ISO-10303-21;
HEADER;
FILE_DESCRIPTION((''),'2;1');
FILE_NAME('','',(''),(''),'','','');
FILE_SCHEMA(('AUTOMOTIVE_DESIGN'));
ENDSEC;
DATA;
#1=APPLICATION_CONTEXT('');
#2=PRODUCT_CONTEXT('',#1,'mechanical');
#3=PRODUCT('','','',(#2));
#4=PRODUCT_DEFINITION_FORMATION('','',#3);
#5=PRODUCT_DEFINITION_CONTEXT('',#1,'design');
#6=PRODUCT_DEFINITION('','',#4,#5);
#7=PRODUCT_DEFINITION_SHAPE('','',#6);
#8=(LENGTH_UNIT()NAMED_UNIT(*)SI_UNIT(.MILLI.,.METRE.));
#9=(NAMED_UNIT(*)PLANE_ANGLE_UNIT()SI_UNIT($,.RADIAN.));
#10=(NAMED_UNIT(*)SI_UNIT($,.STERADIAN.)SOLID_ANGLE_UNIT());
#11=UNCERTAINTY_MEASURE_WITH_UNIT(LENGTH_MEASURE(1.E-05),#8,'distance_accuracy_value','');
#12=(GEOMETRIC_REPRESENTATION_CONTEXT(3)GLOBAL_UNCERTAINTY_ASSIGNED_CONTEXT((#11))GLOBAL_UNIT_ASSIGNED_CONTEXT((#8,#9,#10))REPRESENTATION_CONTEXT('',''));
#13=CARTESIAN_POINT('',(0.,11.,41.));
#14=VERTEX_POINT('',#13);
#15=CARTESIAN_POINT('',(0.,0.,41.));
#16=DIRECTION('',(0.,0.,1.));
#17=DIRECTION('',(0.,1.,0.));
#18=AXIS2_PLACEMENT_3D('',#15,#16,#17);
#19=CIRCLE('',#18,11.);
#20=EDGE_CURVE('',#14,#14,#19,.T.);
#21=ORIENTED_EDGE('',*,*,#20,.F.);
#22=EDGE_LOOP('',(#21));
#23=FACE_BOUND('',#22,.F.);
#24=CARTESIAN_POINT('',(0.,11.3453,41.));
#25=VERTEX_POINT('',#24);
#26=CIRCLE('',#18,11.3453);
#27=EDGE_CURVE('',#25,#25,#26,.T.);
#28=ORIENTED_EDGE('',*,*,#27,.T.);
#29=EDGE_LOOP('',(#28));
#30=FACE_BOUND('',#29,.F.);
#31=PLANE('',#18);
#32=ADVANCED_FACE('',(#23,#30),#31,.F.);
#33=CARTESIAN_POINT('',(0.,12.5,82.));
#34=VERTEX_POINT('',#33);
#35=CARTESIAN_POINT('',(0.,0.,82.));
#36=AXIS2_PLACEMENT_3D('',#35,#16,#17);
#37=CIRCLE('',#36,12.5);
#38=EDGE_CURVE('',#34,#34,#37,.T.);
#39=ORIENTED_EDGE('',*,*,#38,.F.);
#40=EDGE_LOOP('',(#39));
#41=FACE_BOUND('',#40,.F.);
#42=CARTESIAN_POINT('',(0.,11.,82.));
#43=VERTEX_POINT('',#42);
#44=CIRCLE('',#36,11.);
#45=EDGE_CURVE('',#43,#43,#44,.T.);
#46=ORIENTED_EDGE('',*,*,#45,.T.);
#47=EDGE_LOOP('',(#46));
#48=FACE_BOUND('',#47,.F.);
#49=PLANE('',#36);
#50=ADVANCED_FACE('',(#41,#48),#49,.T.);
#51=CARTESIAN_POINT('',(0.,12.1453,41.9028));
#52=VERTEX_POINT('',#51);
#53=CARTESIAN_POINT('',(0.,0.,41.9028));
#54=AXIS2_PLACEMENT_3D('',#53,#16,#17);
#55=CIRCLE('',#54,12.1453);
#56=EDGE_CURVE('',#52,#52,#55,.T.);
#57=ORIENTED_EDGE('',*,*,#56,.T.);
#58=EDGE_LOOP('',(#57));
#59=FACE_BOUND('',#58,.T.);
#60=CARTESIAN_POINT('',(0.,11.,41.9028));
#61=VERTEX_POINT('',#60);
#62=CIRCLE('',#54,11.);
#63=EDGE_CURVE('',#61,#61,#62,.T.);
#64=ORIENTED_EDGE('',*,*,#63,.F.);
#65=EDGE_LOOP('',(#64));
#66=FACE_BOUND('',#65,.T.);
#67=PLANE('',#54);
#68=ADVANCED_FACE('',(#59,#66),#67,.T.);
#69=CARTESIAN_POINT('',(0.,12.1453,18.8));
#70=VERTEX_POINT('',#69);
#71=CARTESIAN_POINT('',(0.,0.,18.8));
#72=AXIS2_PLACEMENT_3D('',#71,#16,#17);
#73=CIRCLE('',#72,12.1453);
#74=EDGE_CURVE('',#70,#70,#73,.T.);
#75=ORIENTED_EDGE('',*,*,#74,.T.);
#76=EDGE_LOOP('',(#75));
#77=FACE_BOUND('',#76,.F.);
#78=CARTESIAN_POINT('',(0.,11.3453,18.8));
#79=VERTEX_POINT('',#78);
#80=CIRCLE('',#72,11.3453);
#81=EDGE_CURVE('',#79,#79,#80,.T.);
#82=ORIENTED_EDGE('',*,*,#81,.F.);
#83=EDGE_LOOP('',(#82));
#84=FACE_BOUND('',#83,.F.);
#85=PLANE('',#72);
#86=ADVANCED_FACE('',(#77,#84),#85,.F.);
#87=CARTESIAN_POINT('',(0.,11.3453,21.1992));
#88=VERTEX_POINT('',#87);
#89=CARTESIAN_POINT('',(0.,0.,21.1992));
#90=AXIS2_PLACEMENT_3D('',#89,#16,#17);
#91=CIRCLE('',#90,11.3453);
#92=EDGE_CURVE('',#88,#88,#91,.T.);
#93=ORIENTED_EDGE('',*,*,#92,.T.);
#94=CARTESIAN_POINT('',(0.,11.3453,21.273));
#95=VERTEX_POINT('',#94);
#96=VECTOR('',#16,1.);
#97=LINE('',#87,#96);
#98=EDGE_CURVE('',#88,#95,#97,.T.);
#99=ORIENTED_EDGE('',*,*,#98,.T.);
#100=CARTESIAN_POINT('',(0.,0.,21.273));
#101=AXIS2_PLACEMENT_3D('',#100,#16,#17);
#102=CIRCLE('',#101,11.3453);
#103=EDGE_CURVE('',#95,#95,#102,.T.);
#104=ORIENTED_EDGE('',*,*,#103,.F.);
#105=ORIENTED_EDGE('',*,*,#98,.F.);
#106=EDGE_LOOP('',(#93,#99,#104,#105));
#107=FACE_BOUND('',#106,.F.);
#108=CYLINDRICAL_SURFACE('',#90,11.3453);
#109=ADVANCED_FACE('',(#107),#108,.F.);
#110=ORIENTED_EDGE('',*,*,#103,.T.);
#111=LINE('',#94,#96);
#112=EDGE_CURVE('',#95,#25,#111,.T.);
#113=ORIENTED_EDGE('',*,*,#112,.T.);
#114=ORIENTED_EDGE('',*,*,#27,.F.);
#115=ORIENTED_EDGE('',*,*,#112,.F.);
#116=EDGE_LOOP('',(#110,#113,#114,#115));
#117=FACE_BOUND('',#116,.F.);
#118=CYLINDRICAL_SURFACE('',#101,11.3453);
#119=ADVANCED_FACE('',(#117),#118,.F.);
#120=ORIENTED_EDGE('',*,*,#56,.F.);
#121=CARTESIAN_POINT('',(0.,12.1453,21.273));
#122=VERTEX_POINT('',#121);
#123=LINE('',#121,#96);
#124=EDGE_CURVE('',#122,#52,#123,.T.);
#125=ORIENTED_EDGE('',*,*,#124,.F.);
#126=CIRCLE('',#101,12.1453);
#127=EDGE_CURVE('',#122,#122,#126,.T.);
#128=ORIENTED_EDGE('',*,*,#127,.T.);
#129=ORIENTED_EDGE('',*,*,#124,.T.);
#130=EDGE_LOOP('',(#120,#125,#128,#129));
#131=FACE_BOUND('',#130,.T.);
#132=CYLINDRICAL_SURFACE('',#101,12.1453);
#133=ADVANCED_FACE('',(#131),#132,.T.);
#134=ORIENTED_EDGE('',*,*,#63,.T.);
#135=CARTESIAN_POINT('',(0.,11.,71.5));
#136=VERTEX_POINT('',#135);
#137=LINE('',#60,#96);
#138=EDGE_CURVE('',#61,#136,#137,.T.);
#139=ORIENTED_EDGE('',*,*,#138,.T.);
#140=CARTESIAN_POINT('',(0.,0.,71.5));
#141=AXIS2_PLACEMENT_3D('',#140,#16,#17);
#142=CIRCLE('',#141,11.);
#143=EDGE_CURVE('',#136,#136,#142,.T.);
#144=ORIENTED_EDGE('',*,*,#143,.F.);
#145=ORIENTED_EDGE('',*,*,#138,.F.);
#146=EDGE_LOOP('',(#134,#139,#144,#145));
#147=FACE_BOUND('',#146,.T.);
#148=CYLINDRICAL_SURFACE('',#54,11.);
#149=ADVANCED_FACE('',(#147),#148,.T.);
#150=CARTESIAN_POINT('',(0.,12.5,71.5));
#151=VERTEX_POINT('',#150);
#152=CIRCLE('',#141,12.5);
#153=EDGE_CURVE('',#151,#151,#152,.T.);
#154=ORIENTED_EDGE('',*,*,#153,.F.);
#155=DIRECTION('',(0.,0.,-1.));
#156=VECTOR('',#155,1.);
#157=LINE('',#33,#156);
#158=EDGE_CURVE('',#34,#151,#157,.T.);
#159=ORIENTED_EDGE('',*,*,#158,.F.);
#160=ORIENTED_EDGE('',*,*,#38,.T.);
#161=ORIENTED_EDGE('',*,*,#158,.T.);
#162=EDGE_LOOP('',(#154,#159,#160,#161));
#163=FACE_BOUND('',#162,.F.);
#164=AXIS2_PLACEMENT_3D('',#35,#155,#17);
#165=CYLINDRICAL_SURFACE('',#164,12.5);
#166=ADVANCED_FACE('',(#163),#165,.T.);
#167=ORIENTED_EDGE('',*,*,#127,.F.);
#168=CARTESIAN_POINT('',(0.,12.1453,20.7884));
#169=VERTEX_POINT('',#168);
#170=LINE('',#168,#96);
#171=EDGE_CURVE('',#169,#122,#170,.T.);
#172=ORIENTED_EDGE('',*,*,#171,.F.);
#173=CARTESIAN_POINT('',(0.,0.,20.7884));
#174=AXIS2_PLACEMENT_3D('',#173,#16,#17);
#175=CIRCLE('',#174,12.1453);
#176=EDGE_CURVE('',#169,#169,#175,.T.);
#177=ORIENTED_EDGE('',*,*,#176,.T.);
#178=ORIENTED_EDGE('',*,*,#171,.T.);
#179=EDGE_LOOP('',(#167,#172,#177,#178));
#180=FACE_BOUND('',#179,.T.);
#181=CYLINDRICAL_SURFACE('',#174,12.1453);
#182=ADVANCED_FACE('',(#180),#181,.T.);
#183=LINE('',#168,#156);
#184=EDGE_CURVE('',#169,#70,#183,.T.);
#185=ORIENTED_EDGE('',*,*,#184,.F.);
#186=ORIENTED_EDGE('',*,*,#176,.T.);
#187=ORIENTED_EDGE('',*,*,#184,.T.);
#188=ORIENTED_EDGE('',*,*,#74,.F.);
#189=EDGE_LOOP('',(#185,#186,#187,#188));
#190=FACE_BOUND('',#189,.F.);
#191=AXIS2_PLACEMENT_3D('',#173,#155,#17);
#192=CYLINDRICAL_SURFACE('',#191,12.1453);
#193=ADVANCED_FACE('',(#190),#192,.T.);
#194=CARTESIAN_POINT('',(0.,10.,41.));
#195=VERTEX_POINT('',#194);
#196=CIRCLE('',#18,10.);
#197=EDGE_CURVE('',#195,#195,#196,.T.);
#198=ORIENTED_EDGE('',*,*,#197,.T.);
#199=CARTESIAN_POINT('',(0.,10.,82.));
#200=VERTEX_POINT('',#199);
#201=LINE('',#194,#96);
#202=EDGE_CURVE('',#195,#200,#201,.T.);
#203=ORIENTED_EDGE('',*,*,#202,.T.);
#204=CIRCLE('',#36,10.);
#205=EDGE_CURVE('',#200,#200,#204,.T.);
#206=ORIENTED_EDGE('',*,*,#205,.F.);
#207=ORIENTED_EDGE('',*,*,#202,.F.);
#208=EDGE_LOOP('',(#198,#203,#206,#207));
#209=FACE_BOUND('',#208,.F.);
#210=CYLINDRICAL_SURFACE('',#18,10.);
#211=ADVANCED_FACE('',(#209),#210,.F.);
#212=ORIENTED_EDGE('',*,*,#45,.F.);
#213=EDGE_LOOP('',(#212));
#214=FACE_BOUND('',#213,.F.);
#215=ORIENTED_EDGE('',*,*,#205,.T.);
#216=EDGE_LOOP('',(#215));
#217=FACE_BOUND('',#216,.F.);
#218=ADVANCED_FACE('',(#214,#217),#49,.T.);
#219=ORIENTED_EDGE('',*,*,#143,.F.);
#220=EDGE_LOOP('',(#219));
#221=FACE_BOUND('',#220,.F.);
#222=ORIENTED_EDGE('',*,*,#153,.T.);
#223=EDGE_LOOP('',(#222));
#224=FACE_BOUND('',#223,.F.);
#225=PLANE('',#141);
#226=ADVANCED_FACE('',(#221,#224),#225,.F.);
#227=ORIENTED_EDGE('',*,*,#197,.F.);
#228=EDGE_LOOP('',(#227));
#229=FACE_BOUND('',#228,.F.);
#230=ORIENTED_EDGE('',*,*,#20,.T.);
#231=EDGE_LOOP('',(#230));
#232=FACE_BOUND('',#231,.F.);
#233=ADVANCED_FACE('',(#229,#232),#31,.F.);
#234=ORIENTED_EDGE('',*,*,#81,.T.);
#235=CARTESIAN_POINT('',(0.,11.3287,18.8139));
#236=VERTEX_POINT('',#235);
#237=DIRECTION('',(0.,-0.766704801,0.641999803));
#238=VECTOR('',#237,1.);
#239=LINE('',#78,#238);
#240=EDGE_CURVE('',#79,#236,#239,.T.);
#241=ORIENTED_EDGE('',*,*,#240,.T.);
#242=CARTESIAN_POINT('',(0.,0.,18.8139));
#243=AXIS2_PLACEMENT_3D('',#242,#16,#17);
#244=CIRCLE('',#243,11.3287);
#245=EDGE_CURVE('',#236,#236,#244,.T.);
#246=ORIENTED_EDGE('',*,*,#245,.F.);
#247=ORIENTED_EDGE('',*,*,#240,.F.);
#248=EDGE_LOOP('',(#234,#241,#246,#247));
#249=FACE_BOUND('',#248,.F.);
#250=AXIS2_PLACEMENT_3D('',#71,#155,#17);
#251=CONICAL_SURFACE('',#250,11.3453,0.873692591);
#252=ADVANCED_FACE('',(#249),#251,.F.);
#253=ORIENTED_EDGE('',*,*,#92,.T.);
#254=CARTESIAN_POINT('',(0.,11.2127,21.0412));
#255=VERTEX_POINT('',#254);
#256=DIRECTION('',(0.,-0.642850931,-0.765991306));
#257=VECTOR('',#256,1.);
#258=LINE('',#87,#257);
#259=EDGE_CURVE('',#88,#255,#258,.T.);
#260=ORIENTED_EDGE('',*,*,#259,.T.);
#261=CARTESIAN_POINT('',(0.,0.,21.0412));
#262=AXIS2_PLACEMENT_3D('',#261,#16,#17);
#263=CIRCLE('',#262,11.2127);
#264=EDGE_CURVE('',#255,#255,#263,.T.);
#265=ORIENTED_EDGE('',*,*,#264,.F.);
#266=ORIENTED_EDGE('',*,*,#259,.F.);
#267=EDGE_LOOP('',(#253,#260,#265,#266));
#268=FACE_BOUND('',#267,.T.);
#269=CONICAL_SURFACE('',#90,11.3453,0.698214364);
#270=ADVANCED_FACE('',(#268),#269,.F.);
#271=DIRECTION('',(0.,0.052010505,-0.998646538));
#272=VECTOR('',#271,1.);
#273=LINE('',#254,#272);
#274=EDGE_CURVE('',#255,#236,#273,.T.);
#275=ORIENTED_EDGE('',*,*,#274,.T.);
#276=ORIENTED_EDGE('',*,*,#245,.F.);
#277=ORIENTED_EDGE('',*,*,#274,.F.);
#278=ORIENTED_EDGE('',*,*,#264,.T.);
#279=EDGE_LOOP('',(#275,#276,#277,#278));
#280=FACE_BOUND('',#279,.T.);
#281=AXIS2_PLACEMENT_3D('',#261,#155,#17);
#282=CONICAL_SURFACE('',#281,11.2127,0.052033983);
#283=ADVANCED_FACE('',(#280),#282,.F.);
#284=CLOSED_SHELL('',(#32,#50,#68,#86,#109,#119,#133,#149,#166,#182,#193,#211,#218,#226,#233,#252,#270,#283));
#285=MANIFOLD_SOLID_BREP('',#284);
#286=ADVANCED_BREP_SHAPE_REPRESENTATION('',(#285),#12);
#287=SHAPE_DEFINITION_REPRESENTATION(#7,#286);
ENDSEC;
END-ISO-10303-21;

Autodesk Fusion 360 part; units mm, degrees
sketch "Sketch1" plane through (0, 0, 0) normal (1, 0, 0) x (0, 0, -1)
  line L0 (-41.9028, 11) -> (-71.5, 11)
  line L1 (-82, 11) -> (-82, 12.5)
  line L2 (-82, 12.5) -> (-71.5, 12.5)
  line L3 (-71.5, 12.5) -> (-71.5, 11)
  line L4 (-71.5, 11) -> (-41.9028, 11)
  line L5 (-41, 11) -> (-41, 10)
  line L6 (-41, 10) -> (-82, 10)
  line L7 (-82, 10) -> (-82, 11)
  line L8 (-21.273, 11.3453) -> (-41, 11.3453)
  line L9 (-41, 11.3453) -> (-41, 11)
  line L10 (-21.273, 12.1453) -> (-41.9028, 12.1453)
  line L11 (-41.9028, 12.1453) -> (-41.9028, 11)
  line L12 (-20.7884, 12.1453) -> (-21.273, 12.1453)
  line L13 (-20.7884, 12.1453) -> (-18.8, 12.1453)
  line L14 (-18.8, 12.1453) -> (-18.8, 11.3453)
  line L15 (-21.1992, 11.3453) -> (-21.273, 11.3453)
  line L16 (-21.1992, 11.3453) -> (-21.0412, 11.2127)
  line L17 (-18.8, 11.3453) -> (-18.8139, 11.3287)
  line L18 (-21.0412, 11.2127) -> (-18.8139, 11.3287)
  point P0 (-20.7884, 10.9915)
  dimension "d1" = 1.5
  dimension "d2" = 10.5
  dimension "d3" = 0.8
  dimension "d4" = 0.6
revolve "Revolve1" add sketch "Sketch1" angle 360 about axis through (0, 0, 1.75) along (0, 0, 1)
